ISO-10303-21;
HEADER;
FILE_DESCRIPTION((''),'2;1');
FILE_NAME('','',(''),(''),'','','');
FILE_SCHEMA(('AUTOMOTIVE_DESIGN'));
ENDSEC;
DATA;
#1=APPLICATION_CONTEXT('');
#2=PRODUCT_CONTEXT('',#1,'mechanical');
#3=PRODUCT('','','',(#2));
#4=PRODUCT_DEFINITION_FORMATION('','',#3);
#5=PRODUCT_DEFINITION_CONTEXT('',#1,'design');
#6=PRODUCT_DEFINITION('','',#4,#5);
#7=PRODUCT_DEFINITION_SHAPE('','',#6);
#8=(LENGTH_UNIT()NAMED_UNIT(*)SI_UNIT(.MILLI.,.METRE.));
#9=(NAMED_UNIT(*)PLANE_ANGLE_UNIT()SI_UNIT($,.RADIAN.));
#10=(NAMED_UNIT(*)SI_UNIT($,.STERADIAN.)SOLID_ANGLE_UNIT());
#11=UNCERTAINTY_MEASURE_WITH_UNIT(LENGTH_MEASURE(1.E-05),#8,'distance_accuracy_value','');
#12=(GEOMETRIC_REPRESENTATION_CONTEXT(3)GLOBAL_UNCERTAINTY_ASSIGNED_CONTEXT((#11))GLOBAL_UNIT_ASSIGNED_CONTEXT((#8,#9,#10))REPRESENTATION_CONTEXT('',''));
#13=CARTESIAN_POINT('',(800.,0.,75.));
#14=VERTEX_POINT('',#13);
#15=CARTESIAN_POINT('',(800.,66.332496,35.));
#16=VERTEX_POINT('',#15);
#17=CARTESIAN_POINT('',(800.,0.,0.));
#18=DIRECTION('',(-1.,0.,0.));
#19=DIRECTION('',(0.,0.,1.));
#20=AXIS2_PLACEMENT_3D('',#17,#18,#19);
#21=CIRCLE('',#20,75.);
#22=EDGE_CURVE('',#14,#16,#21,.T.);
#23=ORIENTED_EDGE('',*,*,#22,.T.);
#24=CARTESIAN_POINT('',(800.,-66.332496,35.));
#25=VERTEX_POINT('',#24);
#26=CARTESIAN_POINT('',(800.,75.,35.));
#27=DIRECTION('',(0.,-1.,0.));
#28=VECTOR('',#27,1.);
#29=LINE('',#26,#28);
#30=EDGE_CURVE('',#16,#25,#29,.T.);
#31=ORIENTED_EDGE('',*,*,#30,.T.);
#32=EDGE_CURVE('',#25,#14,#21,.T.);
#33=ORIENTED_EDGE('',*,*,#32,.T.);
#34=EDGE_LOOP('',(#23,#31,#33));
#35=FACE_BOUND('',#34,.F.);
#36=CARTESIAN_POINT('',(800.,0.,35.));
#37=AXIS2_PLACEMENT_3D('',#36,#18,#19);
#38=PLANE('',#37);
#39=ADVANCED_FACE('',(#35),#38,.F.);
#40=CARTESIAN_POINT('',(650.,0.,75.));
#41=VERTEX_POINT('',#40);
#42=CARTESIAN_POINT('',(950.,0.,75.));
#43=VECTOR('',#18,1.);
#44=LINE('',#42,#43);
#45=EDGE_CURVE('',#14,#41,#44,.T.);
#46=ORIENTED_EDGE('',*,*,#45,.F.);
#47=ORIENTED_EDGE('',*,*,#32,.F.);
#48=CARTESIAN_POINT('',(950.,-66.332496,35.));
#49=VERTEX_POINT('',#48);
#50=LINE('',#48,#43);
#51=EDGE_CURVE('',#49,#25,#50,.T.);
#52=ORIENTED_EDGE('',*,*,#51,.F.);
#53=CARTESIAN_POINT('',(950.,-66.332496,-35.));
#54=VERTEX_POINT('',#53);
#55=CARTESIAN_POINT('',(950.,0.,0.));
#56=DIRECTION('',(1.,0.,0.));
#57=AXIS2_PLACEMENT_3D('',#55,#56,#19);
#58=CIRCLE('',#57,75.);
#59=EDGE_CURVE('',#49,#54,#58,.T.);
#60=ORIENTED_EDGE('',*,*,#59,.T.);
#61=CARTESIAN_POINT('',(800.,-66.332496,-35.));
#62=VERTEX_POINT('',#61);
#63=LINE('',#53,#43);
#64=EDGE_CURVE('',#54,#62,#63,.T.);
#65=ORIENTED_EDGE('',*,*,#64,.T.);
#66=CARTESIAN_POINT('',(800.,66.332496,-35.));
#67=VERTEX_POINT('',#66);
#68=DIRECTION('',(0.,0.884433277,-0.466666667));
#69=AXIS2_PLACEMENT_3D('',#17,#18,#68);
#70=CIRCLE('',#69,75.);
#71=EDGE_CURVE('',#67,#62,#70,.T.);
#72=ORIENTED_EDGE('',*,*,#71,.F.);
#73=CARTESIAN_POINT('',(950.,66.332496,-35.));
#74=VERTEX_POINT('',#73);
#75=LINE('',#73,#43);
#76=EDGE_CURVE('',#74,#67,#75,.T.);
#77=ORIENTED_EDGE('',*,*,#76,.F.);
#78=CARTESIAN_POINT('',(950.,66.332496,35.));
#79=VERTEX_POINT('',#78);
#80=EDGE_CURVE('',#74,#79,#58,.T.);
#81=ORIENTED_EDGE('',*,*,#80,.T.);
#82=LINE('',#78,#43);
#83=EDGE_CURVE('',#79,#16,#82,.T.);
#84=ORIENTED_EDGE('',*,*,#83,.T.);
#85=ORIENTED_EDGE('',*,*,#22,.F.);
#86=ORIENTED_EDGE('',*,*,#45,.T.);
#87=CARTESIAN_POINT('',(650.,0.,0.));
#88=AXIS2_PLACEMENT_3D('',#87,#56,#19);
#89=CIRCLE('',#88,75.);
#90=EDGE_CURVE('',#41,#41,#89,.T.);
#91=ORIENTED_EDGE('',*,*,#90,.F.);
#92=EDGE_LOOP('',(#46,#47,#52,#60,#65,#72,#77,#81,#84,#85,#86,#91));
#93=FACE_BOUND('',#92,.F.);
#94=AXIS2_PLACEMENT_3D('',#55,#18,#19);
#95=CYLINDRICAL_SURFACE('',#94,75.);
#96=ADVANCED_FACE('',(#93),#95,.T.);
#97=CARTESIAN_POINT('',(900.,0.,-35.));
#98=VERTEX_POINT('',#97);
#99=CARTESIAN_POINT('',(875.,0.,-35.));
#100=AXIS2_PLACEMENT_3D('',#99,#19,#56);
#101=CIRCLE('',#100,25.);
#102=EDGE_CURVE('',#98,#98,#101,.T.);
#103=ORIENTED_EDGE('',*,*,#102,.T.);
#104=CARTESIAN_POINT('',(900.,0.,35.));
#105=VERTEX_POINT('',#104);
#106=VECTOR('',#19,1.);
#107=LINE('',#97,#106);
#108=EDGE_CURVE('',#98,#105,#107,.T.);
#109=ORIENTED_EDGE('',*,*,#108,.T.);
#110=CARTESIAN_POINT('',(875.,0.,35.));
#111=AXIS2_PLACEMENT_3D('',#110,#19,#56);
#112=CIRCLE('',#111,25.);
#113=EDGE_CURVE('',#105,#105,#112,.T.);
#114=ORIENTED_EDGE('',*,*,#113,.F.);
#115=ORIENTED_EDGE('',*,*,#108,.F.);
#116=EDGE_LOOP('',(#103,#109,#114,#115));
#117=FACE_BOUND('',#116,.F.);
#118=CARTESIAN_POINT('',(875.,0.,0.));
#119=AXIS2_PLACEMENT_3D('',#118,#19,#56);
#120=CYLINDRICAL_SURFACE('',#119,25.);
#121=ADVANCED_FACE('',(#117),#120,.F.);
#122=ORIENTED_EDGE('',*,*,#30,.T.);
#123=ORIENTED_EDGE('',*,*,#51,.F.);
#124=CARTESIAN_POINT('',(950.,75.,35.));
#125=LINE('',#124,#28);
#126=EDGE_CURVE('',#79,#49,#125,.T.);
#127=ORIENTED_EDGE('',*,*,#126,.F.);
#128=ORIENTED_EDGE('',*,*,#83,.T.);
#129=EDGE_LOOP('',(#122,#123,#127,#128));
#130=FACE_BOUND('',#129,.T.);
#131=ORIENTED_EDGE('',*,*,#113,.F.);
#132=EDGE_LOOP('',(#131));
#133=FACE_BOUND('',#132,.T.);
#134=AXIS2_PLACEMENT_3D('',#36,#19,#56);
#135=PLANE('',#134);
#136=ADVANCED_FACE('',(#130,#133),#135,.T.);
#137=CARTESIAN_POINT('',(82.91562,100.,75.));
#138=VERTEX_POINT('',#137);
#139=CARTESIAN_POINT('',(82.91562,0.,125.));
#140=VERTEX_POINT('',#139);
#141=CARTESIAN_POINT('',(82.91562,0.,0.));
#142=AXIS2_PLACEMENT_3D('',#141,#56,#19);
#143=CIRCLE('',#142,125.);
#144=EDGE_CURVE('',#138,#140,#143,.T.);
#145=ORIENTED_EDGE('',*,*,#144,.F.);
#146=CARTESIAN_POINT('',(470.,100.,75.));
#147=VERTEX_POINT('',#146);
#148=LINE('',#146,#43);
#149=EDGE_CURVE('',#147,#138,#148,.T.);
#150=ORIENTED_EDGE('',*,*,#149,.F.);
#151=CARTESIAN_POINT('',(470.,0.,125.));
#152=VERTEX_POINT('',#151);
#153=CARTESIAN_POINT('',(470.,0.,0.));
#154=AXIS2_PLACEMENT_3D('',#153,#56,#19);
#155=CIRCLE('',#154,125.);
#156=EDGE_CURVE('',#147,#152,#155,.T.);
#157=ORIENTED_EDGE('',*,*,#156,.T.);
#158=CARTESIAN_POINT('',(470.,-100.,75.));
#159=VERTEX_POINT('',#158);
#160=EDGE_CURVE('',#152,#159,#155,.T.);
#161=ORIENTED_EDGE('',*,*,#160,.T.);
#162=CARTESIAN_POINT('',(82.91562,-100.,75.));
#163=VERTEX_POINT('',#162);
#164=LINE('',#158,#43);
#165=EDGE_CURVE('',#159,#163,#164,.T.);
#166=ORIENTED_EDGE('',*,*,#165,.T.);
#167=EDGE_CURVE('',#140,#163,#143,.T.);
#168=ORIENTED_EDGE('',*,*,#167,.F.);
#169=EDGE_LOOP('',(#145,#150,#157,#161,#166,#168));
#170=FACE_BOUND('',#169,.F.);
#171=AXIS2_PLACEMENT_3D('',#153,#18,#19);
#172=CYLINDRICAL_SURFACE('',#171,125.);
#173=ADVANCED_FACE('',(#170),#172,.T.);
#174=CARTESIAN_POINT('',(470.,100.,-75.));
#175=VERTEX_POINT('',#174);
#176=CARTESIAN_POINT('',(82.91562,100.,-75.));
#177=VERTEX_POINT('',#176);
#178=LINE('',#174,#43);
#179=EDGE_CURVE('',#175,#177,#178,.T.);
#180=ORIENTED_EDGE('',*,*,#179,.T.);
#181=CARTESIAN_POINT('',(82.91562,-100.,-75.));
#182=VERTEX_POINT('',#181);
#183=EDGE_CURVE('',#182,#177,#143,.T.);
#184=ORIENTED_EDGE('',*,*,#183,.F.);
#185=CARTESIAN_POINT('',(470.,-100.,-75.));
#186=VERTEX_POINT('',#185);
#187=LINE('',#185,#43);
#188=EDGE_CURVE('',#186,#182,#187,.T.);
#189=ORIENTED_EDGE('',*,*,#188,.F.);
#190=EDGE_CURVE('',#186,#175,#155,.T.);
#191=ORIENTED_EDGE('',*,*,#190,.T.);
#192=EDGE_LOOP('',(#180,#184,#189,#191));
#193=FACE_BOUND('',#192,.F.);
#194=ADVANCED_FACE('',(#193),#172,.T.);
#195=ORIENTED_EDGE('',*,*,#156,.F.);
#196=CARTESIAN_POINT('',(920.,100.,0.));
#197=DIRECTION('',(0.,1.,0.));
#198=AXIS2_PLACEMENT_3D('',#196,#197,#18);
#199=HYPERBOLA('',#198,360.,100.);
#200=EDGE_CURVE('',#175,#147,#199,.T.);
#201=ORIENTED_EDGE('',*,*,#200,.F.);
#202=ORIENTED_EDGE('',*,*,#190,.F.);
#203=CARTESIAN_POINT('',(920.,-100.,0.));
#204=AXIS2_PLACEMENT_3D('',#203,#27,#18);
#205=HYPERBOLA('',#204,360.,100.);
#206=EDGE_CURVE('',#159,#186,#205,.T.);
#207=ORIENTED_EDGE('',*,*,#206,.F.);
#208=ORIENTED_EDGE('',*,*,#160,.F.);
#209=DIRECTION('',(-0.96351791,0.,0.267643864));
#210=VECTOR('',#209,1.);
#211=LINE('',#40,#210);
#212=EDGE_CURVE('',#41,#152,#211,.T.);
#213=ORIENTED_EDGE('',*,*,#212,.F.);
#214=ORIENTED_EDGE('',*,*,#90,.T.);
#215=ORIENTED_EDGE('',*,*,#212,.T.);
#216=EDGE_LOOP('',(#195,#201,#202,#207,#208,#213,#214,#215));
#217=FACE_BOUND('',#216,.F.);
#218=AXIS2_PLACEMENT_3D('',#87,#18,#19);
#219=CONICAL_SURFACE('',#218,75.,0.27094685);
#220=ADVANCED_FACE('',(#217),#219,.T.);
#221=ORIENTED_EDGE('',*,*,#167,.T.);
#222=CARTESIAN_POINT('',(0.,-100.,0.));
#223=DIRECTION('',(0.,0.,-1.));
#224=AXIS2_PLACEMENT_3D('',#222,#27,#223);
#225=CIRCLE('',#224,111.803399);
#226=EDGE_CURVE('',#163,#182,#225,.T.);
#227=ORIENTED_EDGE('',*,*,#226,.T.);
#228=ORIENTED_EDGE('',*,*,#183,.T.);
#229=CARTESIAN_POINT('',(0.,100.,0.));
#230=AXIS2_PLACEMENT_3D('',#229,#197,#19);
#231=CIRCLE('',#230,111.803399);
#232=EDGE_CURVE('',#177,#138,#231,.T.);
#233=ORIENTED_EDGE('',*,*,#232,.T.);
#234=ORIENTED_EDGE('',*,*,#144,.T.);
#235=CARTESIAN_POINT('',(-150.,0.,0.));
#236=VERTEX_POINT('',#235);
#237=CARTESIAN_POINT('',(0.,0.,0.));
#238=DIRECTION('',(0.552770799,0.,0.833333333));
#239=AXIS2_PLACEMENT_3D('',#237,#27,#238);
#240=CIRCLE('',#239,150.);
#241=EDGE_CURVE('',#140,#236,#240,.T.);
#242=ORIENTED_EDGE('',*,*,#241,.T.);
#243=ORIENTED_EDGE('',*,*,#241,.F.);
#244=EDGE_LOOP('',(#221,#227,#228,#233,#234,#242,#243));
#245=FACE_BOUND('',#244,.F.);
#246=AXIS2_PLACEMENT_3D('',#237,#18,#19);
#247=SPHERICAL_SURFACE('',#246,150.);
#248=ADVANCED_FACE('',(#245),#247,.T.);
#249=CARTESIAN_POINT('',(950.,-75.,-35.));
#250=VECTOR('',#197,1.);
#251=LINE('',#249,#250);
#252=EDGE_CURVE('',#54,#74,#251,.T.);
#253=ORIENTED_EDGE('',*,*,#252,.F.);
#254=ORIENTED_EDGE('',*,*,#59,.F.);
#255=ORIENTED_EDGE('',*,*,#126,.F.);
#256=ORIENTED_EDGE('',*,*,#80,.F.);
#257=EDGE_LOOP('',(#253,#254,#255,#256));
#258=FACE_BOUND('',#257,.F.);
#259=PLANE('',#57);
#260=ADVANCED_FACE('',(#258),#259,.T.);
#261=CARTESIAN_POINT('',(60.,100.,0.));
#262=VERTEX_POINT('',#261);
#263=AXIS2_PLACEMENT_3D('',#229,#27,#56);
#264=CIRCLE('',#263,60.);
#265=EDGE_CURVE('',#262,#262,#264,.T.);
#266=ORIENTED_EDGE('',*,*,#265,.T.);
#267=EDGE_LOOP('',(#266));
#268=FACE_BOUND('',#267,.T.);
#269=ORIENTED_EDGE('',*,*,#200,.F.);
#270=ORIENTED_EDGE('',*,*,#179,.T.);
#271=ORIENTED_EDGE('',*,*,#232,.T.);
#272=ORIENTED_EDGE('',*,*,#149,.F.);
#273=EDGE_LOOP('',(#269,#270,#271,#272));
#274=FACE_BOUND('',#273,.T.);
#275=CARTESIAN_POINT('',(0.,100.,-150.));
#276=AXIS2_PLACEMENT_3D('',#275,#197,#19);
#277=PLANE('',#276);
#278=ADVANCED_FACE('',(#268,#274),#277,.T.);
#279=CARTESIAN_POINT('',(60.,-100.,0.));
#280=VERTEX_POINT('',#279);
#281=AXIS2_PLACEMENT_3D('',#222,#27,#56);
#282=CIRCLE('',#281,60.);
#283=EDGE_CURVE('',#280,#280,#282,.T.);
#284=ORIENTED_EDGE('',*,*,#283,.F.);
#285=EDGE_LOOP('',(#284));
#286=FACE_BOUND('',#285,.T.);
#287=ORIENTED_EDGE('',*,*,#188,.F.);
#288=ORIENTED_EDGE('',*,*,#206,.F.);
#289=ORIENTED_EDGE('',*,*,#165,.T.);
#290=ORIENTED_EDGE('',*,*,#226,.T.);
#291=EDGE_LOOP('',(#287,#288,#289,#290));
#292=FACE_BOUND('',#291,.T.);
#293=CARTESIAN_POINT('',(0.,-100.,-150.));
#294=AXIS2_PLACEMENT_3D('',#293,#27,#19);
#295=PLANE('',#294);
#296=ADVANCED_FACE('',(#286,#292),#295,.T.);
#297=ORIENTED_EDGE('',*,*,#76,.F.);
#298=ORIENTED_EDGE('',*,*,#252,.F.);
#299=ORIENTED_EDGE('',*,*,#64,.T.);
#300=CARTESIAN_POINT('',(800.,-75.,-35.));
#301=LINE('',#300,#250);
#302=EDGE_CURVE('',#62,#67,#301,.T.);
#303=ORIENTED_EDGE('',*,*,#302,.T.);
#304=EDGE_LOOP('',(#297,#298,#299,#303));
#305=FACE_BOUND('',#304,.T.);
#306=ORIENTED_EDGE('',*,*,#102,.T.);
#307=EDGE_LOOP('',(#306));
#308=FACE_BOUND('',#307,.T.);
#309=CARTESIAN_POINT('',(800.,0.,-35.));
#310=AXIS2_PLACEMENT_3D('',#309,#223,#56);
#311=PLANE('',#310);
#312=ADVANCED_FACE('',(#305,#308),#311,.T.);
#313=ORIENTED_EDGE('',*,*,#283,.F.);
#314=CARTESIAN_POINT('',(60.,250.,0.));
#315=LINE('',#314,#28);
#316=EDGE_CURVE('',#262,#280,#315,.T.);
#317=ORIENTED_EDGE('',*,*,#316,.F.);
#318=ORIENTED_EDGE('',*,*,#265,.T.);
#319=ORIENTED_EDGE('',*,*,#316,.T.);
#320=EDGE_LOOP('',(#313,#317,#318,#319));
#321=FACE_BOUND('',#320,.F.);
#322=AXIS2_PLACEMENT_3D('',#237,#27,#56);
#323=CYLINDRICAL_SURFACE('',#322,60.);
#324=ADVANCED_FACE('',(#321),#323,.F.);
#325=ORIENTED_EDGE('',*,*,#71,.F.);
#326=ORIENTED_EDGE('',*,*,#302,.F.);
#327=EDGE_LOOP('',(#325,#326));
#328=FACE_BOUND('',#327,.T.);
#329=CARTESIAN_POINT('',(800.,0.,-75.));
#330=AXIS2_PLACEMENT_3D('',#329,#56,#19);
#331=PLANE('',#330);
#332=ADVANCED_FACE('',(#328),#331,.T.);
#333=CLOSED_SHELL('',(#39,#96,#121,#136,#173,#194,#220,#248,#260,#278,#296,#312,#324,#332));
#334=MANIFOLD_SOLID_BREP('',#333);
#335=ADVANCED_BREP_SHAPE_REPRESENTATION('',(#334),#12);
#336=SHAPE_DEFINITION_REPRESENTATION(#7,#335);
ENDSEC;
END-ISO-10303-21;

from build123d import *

# Parameters (mm, degrees)
F3_R     = 60
F6_DEPTH = 250
F2_W     = 50
F2_H     = 300
F7_DEPTH = 625
F0_W     = 150
F0_H     = 40
F8_DEPTH = 75
F1_R     = 25
F9_DEPTH = 35


with BuildPart() as f5:
    # F4 (on Front) → F5 (revolve)
    with BuildSketch(Plane.XZ):
        with BuildLine():
            Line((470, 125), (82.91562, 125))
            ThreePointArc((82.91562, 125), (-70.931858, 132.169102), (-150, 0))
            Line((-150, 0), (950, 0))
            Line((950, 0), (950, 75))
            Line((950, 75), (650, 75))
            Line((650, 75), (470, 125))
        make_face()
    revolve(axis=Axis((400, 0, 0), (1, 0, 0)))

    # F3 (on Front) → F6 (cut, symmetric)
    with BuildSketch(Plane.XZ):
        Circle(F3_R)
    extrude(amount=F6_DEPTH, both=True, mode=Mode.SUBTRACT)

    # F2 (on Right) → F7 (cut, symmetric)
    with BuildSketch(Plane.YZ):
        with Locations((-125, 0)):
            Rectangle(F2_W, F2_H)
        with Locations((125, 0)):
            Rectangle(F2_W, F2_H)
    extrude(amount=F7_DEPTH, both=True, mode=Mode.SUBTRACT)

    # F0 (on Front) → F8 (cut, symmetric)
    with BuildSketch(Plane.XZ):
        with Locations((875, 55)):
            Rectangle(F0_W, F0_H)
        with Locations((875, -55)):
            Rectangle(F0_W, F0_H)
    extrude(amount=F8_DEPTH, both=True, mode=Mode.SUBTRACT)

    # F1 (on Top) → F9 (cut, symmetric)
    with BuildSketch(Plane.XY):
        with Locations((875, 0)):
            Circle(F1_R)
    extrude(amount=F9_DEPTH, both=True, mode=Mode.SUBTRACT)


solid = f5.part
